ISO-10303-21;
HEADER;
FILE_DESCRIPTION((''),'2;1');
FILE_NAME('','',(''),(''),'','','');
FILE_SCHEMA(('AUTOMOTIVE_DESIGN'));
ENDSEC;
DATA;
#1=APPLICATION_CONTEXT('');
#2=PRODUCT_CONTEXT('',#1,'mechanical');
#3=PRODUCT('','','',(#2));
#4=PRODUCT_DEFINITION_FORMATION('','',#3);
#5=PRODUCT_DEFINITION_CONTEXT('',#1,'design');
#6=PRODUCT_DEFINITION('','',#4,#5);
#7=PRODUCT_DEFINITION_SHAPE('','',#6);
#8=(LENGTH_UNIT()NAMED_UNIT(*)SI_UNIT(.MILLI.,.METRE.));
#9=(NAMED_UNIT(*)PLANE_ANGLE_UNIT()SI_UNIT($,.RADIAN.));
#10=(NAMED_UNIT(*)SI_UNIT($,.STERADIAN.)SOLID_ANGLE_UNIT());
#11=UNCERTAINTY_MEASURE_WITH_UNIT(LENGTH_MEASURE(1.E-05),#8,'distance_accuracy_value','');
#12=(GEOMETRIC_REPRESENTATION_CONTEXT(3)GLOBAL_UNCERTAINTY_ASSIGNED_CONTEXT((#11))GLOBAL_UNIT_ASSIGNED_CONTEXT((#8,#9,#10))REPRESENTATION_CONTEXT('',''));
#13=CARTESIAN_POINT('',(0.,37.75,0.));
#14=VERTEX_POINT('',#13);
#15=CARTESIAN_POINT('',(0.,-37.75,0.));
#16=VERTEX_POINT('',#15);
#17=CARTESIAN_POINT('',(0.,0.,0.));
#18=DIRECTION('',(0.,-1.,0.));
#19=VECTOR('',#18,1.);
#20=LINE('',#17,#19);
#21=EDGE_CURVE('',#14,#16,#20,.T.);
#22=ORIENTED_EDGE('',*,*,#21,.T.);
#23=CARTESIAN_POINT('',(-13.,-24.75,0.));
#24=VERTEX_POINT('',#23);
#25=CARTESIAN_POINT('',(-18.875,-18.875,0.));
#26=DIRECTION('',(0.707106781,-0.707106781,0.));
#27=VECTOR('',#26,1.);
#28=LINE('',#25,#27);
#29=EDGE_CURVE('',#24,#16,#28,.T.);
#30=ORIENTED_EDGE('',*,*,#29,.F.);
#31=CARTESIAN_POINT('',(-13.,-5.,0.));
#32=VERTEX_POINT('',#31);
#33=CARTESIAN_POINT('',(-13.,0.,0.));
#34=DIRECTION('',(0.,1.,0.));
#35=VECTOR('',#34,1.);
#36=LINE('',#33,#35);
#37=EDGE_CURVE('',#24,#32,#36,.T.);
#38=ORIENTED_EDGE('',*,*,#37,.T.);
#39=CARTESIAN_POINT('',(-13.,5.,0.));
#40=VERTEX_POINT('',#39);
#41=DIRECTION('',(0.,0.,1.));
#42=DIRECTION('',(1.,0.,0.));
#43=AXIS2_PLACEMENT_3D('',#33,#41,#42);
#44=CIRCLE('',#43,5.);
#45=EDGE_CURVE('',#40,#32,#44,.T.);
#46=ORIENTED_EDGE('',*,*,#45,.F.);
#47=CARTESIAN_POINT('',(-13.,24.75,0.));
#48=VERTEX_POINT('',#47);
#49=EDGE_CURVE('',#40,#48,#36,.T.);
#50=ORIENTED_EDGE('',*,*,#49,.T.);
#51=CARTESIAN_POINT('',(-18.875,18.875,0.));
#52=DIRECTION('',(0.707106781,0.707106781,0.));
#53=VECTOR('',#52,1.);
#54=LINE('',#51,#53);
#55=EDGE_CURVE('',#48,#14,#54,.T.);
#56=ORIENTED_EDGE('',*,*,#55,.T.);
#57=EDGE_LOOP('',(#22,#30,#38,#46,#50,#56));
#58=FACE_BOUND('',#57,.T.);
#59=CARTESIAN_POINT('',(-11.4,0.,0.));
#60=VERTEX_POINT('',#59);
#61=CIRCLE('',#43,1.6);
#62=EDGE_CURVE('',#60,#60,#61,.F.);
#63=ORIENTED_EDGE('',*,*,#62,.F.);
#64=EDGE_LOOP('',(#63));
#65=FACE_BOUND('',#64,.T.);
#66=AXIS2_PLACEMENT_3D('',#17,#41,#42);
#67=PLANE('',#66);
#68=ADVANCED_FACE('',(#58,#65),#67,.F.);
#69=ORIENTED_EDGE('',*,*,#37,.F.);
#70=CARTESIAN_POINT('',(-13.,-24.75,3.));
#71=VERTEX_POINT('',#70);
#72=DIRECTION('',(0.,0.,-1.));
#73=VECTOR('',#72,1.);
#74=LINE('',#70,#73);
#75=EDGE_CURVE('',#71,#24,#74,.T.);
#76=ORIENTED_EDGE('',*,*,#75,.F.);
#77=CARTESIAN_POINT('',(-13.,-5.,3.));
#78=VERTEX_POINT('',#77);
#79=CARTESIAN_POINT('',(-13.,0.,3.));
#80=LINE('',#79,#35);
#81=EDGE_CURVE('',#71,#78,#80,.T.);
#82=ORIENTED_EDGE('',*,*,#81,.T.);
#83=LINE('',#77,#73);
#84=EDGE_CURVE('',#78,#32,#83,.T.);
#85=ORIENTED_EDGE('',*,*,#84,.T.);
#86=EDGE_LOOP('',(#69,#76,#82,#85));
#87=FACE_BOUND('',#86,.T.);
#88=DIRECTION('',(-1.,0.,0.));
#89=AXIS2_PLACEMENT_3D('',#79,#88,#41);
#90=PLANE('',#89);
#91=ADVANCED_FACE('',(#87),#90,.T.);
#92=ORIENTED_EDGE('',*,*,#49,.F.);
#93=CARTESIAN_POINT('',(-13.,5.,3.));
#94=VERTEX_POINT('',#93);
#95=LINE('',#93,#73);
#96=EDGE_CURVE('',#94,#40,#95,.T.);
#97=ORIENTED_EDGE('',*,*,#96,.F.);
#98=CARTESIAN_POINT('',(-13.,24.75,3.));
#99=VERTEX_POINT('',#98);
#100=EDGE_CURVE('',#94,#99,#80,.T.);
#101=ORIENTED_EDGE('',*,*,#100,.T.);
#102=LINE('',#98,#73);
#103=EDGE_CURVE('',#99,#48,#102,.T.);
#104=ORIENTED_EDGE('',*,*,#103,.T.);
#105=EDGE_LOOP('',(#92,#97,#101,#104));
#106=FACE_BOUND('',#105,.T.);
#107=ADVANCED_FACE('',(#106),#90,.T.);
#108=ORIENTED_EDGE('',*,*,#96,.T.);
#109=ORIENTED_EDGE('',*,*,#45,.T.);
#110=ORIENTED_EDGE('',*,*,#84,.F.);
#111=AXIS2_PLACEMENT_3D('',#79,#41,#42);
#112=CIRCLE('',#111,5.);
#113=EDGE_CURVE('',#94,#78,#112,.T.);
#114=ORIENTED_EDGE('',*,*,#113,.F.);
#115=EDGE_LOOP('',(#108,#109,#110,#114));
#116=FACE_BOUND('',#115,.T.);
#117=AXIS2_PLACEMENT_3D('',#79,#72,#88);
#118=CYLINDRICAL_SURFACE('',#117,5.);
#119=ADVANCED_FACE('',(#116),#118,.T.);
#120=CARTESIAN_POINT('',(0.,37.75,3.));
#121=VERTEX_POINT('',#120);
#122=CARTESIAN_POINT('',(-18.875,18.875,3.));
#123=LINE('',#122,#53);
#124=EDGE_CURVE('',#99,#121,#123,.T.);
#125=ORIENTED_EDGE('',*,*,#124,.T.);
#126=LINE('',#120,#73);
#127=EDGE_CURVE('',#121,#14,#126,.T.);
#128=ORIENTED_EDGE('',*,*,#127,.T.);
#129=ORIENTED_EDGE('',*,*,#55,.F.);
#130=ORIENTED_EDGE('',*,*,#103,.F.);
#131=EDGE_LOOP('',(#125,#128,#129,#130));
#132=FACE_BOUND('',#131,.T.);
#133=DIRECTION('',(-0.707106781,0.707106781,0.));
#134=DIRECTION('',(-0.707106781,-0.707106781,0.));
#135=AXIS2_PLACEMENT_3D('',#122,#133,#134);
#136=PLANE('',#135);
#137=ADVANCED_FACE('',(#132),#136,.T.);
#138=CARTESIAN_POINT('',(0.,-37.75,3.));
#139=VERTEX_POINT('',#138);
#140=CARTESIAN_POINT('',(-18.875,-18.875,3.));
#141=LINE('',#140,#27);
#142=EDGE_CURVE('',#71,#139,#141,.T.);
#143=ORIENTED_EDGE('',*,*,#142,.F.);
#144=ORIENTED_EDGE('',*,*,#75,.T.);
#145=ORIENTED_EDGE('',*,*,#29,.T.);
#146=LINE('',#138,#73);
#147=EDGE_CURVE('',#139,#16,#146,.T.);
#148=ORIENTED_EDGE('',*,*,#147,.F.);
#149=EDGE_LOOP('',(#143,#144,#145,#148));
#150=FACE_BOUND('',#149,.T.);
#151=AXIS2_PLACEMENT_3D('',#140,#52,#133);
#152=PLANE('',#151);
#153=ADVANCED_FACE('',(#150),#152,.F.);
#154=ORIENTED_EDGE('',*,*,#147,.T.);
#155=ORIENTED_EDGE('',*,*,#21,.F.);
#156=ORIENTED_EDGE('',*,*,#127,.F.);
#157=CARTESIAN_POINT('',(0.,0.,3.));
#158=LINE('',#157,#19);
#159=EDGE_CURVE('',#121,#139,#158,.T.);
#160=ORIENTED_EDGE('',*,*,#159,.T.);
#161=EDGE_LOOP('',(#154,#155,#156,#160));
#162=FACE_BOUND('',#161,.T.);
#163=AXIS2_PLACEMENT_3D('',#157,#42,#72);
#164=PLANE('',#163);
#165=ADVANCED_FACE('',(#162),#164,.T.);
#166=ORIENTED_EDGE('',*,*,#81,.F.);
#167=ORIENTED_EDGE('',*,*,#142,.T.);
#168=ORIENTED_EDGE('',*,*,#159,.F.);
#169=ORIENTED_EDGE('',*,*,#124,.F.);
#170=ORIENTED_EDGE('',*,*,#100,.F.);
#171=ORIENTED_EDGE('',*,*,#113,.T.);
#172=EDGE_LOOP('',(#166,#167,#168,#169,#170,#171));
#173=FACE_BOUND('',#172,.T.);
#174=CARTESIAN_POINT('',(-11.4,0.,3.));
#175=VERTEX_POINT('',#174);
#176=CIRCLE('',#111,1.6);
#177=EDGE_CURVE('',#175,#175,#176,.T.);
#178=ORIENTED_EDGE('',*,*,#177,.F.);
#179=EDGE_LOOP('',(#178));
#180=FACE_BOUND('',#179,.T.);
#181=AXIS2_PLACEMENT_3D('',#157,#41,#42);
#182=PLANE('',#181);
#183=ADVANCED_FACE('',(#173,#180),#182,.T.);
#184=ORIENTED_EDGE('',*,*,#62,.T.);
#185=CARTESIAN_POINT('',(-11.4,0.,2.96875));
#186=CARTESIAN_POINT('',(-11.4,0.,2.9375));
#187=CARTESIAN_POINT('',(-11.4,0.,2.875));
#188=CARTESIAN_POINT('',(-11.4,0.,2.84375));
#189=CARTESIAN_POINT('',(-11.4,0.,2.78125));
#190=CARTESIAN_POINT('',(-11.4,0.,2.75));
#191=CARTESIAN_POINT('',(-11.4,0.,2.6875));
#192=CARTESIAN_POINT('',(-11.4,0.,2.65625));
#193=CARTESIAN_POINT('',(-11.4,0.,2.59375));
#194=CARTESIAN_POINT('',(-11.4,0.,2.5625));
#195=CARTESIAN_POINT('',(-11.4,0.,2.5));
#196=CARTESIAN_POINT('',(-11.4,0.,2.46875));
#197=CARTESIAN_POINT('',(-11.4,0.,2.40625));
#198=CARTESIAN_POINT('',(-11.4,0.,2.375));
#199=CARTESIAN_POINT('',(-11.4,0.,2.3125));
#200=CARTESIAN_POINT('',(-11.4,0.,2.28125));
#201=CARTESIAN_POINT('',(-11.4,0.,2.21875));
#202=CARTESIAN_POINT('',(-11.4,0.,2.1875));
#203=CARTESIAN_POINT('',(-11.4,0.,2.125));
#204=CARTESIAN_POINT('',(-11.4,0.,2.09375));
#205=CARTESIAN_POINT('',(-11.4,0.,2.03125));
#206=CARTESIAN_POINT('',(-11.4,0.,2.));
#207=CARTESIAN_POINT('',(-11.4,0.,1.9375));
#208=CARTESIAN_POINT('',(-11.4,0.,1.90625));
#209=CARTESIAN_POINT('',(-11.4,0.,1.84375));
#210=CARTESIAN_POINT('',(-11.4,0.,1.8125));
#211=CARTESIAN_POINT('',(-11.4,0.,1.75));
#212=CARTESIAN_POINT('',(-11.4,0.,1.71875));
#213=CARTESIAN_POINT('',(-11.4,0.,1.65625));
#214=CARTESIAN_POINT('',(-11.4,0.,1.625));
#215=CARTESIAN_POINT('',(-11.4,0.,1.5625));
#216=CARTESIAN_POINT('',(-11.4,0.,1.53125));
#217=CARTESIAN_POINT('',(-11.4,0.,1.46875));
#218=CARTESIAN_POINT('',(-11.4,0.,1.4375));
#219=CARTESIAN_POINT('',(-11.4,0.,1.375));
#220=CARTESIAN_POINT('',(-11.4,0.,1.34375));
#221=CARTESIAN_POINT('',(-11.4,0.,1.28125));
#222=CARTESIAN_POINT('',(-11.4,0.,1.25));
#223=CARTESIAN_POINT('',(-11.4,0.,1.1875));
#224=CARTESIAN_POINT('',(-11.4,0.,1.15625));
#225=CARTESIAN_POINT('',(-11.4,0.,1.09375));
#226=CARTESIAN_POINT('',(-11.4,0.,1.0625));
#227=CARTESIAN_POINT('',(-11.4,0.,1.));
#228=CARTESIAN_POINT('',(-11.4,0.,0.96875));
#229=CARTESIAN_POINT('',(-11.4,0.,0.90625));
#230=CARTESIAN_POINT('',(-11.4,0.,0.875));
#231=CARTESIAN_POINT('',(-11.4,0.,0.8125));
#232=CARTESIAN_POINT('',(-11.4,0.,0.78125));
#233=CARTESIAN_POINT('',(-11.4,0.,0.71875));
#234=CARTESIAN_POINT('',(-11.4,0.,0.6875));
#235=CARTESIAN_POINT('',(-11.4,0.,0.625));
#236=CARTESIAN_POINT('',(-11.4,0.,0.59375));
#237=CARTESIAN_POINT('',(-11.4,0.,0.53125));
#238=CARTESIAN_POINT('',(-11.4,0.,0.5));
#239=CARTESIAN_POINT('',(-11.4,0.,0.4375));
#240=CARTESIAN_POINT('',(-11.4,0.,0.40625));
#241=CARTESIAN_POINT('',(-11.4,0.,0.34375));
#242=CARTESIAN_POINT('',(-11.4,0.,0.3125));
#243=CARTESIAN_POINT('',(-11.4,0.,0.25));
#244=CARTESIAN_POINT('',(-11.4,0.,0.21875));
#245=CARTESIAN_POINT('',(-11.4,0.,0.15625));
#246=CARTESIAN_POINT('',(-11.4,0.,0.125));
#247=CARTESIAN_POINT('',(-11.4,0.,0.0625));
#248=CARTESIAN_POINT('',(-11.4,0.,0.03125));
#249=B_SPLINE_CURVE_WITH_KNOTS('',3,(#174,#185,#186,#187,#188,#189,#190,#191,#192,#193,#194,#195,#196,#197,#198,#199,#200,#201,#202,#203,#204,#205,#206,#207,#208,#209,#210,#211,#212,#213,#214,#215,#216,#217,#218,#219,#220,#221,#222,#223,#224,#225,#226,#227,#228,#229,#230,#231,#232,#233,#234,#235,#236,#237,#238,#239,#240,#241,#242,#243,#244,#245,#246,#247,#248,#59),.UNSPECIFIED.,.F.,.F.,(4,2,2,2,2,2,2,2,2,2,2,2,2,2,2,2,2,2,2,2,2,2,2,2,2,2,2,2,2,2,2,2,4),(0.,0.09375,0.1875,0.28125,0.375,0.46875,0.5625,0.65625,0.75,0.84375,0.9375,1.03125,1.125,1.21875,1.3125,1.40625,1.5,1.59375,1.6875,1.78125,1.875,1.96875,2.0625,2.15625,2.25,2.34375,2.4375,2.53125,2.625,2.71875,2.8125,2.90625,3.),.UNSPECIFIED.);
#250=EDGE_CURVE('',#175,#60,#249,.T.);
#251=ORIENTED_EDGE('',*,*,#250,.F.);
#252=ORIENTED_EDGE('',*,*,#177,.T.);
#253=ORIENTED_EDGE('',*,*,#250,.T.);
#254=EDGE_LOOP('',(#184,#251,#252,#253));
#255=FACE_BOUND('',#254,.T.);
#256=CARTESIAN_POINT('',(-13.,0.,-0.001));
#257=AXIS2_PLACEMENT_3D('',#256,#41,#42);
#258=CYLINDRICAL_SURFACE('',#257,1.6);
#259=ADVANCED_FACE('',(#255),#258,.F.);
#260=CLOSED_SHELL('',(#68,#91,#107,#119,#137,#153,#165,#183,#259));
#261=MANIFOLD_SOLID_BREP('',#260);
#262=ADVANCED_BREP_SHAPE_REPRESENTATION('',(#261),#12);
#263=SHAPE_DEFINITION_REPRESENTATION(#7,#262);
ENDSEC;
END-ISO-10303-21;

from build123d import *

# Parameters (mm, degrees)
SKETCH1_R           = 5
BOSS_EXTRUDE1_DEPTH = 3
CUT_EXTRUDE1_REACH  = 43.929
SKETCH2_R           = 1.6


with BuildPart() as part:
    # Sketch1 → Boss-Extrude1 (new body)
    with BuildSketch(Plane.XY):
        with Locations((-13, 0)):
            Circle(SKETCH1_R)
        Polygon((-13, -24.75), (-13, 24.75), (0, 37.75), (0, -37.75), align=None)
    extrude(amount=BOSS_EXTRUDE1_DEPTH)

    # Sketch2 → Cut-Extrude1 (cut, up to next)
    with BuildSketch(Plane.XY.offset(3), mode=Mode.PRIVATE) as cut_extrude1_sk1:
        with Locations((-13, 0)):
            Circle(SKETCH2_R)
    cut_extrude1_tool1 = extrude(cut_extrude1_sk1.sketch, amount=-CUT_EXTRUDE1_REACH, mode=Mode.PRIVATE) & part.part
    add(cut_extrude1_tool1.solids().sort_by_distance((-13, 0, 3))[0], mode=Mode.SUBTRACT)


solid = part.part
